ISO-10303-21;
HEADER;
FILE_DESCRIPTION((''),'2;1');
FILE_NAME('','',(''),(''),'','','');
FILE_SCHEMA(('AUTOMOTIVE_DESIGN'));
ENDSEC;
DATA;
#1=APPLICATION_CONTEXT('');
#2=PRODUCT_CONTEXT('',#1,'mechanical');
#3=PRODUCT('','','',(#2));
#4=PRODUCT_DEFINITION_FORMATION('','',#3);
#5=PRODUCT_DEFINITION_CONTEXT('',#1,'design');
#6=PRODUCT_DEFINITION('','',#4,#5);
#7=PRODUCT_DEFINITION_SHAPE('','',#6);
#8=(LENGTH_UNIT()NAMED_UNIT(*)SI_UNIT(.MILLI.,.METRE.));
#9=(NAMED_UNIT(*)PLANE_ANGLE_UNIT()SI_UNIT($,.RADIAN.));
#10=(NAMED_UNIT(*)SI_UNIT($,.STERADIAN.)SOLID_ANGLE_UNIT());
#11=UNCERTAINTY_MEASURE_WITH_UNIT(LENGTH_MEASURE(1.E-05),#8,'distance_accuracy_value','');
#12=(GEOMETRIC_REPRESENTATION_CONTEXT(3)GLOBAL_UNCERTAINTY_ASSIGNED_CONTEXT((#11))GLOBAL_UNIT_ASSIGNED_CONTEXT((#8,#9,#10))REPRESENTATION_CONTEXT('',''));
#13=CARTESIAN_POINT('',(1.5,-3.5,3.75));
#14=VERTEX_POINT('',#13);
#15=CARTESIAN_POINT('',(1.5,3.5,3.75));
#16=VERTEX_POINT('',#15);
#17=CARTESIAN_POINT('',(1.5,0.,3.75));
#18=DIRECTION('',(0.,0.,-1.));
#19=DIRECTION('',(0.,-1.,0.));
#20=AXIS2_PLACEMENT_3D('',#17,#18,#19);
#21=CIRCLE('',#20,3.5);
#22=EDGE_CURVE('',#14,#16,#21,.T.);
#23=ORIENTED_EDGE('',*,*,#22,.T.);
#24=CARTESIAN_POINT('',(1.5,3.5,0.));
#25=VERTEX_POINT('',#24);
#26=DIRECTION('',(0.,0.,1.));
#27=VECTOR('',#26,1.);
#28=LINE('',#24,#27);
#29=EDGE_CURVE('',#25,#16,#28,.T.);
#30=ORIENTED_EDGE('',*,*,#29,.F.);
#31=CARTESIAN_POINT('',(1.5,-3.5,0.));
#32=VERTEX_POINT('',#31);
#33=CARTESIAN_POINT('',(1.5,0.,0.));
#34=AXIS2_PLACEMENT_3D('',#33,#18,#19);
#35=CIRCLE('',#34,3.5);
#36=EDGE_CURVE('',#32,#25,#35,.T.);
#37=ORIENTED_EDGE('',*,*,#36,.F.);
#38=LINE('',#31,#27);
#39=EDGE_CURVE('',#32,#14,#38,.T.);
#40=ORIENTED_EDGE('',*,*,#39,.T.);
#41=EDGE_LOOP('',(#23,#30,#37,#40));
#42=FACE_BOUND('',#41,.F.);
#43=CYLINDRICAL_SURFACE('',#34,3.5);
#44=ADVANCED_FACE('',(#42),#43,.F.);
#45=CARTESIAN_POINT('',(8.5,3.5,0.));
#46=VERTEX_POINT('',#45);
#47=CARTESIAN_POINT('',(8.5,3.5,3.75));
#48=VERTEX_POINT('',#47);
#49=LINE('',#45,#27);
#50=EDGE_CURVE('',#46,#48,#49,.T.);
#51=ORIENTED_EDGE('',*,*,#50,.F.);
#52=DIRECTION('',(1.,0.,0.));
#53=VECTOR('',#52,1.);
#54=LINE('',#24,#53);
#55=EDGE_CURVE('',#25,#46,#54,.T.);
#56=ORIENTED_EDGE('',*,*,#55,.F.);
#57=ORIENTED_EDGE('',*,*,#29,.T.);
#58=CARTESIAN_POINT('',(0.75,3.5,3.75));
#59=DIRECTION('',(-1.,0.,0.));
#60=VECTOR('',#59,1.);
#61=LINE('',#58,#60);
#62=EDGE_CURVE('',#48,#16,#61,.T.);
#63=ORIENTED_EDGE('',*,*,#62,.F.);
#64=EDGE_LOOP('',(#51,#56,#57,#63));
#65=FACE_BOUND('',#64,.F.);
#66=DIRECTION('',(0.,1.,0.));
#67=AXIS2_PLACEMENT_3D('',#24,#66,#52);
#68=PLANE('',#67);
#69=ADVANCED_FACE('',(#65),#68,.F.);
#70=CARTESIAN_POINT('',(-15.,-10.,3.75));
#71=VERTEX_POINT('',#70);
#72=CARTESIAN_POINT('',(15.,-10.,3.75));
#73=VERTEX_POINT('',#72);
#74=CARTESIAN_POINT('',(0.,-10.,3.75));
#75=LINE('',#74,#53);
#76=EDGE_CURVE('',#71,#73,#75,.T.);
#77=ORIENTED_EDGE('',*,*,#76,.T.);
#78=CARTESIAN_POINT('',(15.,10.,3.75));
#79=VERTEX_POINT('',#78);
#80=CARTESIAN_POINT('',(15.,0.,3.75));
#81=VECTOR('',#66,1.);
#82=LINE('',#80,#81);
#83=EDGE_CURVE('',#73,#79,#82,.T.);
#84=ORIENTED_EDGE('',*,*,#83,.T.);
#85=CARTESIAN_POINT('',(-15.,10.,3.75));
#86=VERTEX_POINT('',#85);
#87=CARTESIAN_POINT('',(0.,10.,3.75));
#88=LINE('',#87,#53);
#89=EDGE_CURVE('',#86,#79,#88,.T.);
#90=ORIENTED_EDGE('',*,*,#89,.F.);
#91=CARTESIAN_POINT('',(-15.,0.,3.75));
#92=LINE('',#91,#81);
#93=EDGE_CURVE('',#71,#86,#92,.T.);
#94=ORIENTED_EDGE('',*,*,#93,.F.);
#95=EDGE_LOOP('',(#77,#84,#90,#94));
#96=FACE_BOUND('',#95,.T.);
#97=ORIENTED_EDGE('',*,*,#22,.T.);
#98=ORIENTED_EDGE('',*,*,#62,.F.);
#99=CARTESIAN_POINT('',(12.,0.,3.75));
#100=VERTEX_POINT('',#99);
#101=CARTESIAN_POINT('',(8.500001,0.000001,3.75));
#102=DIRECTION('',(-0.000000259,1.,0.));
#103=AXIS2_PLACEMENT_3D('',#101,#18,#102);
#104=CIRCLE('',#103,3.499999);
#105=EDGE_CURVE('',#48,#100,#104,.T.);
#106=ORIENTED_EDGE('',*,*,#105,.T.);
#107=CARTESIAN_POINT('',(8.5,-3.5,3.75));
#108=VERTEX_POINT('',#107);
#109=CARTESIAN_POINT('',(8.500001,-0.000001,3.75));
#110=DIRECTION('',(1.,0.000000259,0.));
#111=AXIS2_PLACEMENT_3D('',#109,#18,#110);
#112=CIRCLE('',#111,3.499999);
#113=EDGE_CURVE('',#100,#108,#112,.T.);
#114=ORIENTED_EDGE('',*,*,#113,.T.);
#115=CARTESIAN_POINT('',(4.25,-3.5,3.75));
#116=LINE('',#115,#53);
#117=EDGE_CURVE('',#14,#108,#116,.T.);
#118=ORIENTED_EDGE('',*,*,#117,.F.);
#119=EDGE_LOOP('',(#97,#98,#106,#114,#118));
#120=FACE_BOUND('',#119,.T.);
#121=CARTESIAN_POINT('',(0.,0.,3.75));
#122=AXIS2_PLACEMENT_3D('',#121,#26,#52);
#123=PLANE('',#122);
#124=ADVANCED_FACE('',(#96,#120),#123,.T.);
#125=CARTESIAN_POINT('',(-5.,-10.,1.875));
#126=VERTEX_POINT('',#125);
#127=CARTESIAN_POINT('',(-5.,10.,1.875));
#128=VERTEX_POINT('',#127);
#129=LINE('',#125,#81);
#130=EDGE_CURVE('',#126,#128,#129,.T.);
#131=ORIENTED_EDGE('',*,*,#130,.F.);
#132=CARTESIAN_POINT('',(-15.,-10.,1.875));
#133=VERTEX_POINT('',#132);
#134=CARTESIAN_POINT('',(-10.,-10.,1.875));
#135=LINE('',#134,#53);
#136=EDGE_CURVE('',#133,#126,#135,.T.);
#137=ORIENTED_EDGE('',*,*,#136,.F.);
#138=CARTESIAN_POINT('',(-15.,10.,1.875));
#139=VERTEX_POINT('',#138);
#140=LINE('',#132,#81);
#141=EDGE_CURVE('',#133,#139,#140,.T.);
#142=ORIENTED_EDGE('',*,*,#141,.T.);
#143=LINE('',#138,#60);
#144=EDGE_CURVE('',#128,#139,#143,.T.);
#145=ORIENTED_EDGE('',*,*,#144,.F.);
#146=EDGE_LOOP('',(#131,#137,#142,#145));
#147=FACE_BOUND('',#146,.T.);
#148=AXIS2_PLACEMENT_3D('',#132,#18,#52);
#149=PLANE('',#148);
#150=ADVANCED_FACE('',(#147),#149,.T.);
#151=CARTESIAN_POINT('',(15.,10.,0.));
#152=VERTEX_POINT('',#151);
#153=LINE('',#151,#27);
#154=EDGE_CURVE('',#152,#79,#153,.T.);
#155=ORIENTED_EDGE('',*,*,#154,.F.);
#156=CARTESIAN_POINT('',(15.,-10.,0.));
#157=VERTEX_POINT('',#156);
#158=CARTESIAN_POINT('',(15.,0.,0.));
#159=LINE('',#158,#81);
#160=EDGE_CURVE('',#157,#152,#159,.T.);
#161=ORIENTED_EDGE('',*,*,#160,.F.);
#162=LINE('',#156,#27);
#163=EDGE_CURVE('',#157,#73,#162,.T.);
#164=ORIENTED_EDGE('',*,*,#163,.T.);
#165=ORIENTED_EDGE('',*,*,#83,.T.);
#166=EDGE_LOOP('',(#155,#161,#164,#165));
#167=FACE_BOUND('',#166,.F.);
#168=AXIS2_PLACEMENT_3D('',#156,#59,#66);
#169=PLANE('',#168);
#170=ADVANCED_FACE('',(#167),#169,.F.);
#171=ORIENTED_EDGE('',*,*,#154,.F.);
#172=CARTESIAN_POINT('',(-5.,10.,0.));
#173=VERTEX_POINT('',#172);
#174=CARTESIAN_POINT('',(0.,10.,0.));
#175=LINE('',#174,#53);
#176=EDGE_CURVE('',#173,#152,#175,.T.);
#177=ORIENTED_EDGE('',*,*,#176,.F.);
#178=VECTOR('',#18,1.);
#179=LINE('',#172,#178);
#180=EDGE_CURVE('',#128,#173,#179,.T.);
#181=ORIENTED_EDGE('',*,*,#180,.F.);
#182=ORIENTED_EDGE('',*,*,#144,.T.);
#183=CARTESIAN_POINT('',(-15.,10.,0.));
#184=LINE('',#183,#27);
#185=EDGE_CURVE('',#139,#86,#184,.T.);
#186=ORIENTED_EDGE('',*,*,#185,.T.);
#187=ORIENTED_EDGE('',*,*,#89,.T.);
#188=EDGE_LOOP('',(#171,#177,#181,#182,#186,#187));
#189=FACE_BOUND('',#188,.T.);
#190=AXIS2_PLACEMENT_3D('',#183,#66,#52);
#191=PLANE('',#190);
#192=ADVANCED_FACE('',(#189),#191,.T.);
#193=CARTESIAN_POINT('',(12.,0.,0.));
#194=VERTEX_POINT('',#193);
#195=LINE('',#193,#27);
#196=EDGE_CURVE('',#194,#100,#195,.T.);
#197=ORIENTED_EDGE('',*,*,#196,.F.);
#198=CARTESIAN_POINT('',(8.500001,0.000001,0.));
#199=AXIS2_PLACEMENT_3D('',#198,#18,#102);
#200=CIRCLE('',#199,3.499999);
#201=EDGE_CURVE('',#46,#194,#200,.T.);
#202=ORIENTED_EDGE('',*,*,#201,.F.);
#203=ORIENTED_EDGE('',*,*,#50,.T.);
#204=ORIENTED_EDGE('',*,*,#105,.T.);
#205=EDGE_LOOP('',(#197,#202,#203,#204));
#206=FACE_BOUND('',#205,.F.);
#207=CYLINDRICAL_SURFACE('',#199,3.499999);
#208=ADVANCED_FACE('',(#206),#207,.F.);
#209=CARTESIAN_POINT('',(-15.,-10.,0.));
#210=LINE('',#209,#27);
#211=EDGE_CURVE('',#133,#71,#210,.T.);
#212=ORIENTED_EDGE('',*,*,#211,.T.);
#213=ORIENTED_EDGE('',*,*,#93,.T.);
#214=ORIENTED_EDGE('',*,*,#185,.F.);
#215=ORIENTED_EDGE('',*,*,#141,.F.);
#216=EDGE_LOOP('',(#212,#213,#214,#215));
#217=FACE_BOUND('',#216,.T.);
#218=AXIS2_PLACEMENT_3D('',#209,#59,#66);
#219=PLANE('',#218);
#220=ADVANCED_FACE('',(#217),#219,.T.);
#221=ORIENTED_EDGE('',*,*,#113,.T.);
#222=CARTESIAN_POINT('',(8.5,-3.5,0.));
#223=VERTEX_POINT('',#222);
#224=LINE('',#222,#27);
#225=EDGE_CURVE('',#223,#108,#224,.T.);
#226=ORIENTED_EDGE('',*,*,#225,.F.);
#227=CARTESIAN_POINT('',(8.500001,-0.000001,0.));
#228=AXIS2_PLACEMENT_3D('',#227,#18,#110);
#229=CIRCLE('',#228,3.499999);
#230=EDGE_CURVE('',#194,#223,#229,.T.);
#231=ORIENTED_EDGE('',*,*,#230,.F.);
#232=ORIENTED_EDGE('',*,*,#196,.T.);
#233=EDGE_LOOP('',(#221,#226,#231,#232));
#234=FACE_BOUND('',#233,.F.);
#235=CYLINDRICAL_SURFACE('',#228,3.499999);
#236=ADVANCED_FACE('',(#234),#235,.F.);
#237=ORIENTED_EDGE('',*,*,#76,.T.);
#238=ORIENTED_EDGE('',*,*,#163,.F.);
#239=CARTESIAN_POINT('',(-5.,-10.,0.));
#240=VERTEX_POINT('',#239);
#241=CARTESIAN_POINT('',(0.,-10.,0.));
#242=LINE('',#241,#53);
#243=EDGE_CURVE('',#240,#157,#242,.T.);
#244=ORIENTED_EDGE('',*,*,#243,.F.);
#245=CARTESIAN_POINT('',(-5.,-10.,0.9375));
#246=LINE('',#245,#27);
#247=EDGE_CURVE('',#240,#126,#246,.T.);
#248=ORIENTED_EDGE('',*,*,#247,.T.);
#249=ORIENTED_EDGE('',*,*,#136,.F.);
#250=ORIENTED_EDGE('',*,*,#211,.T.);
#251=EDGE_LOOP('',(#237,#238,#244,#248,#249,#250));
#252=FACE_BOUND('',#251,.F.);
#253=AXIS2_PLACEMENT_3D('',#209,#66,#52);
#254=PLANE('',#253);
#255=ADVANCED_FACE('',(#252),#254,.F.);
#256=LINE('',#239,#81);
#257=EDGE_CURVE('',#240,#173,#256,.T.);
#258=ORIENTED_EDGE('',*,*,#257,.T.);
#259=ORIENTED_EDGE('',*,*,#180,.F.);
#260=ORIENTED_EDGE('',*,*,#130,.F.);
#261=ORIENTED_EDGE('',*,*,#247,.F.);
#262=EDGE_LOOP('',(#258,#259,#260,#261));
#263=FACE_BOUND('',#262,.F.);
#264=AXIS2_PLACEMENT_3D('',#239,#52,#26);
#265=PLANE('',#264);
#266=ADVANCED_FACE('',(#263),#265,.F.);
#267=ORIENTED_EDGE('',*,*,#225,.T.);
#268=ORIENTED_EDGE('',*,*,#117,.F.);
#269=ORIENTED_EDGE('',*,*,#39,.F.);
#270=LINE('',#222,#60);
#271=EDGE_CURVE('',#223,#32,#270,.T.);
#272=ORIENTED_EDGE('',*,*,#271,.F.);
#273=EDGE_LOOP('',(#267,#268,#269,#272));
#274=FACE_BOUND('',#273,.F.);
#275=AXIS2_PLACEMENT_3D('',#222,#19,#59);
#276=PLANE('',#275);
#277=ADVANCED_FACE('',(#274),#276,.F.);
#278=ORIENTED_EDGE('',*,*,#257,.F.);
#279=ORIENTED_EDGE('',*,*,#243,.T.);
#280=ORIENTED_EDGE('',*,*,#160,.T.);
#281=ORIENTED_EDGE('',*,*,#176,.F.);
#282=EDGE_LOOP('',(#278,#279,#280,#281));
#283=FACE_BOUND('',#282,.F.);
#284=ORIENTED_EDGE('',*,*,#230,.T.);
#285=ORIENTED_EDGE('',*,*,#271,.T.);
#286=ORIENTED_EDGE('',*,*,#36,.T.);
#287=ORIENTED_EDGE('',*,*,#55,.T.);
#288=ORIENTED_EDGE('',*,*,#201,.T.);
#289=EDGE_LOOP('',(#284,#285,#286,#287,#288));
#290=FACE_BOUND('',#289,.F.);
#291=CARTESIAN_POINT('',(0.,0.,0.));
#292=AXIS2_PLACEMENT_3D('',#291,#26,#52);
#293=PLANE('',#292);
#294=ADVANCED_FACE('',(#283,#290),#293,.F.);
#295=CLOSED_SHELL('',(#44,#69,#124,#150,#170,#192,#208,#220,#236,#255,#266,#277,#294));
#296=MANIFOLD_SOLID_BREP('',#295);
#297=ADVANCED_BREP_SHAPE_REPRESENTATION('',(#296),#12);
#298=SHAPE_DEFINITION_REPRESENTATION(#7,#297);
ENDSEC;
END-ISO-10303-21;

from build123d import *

# Parameters (mm, degrees)
F0_W     = 30
F0_H     = 20
F1_DEPTH = 3.75
F2_W     = 10
F2_H     = 1.875
F3_DEPTH = 24.3
F5_DEPTH = 16.12


with BuildPart() as f1:
    # F0 (on Top) → F1 (new body)
    with BuildSketch(Plane.XY):
        Rectangle(F0_W, F0_H)
    extrude(amount=F1_DEPTH)

    # F2 (on face) → F3 (cut)
    with BuildSketch(Plane.XZ.offset(10)):
        with Locations((-10, 0.9375)):
            Rectangle(F2_W, F2_H)
    extrude(amount=-F3_DEPTH, mode=Mode.SUBTRACT)

    # F4 (on face) → F5 (cut)
    with BuildSketch(Plane(origin=(0, 0, 0), x_dir=(1, 0, 0), z_dir=(0, 0, -1))):
        with BuildLine():
            ThreePointArc((1.5, -3.5), (3.974874, -2.474874), (5, 0))
            ThreePointArc((5, 0), (3.974874, 2.474874), (1.5, 3.5))
            ThreePointArc((1.5, 3.5), (-2, 0), (1.5, -3.5))
        make_face()
        with BuildLine():
            ThreePointArc((1.5, 3.5), (3.974874, 2.474874), (5, 0))
            ThreePointArc((5, 0), (6.025126, 2.474874), (8.5, 3.5))
            Line((8.5, 3.5), (1.5, 3.5))
        make_face()
        with BuildLine():
            ThreePointArc((8.5, -3.5), (6.025126, -2.474874), (5, 0))
            ThreePointArc((5, 0), (3.974874, -2.474874), (1.5, -3.5))
            Line((1.5, -3.5), (8.5, -3.5))
        make_face()
        with BuildLine():
            ThreePointArc((8.5, 3.5), (6.025126, 2.474874), (5, 0))
            ThreePointArc((5, 0), (6.025126, -2.474874), (8.5, -3.5))
            ThreePointArc((8.5, -3.5), (10.974874, -2.474874), (12, 0))
            ThreePointArc((12, 0), (10.974874, 2.474874), (8.5, 3.5))
        make_face()
    extrude(amount=-F5_DEPTH, mode=Mode.SUBTRACT)


solid = f1.part
